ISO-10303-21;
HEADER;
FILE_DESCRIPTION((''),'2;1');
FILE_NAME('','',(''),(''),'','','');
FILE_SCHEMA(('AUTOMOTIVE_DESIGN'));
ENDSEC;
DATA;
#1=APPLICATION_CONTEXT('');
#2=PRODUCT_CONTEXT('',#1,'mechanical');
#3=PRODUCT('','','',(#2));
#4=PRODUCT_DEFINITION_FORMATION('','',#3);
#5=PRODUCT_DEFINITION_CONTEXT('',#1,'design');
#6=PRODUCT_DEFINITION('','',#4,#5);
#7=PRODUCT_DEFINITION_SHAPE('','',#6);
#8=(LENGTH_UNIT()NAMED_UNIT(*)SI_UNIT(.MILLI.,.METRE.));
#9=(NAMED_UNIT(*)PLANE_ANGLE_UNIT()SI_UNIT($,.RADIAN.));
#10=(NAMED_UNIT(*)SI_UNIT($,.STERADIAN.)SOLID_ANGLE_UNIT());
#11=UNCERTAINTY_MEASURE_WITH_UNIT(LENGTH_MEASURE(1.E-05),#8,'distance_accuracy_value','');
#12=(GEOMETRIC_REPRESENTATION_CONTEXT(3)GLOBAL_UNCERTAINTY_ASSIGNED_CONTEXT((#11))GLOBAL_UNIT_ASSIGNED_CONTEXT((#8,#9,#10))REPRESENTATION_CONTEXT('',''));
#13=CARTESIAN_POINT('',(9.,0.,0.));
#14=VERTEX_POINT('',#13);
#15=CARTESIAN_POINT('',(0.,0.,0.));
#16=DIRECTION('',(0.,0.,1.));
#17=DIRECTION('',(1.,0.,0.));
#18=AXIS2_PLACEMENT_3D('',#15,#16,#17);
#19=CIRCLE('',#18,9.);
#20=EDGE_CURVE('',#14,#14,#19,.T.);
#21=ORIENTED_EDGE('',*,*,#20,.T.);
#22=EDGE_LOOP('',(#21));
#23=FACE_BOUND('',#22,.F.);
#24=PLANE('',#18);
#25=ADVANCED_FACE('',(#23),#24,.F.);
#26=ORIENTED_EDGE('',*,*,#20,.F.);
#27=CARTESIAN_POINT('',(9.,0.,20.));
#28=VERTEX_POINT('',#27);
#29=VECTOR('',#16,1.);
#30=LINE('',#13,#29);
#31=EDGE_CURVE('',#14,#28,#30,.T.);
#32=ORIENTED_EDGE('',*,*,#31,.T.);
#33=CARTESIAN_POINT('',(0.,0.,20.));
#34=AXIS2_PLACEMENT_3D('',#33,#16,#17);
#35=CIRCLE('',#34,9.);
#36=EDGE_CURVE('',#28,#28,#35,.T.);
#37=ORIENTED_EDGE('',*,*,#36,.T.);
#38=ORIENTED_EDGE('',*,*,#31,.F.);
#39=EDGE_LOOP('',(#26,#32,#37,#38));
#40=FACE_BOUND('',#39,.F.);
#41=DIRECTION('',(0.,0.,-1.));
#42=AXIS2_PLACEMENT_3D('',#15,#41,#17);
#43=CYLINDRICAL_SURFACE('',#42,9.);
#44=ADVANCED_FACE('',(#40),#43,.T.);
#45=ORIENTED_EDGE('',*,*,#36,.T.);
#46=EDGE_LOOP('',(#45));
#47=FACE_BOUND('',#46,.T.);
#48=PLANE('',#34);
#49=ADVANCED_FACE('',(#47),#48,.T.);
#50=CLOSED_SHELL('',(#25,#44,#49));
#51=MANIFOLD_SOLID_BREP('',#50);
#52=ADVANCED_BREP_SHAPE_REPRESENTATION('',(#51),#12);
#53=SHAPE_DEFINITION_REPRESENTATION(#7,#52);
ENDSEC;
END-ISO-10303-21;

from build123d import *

# Parameters (mm, degrees)
F0_R     = 9
F0_W     = 4
F0_H     = 4
F1_DEPTH = 20


with BuildPart() as f1:
    # F0 (on Top) → F1 (new body)
    with BuildSketch(Plane.XY):
        Circle(F0_R)
        Rectangle(F0_W, F0_H, mode=Mode.SUBTRACT)
        Rectangle(F0_W, F0_H)
    extrude(amount=F1_DEPTH)


solid = f1.part
